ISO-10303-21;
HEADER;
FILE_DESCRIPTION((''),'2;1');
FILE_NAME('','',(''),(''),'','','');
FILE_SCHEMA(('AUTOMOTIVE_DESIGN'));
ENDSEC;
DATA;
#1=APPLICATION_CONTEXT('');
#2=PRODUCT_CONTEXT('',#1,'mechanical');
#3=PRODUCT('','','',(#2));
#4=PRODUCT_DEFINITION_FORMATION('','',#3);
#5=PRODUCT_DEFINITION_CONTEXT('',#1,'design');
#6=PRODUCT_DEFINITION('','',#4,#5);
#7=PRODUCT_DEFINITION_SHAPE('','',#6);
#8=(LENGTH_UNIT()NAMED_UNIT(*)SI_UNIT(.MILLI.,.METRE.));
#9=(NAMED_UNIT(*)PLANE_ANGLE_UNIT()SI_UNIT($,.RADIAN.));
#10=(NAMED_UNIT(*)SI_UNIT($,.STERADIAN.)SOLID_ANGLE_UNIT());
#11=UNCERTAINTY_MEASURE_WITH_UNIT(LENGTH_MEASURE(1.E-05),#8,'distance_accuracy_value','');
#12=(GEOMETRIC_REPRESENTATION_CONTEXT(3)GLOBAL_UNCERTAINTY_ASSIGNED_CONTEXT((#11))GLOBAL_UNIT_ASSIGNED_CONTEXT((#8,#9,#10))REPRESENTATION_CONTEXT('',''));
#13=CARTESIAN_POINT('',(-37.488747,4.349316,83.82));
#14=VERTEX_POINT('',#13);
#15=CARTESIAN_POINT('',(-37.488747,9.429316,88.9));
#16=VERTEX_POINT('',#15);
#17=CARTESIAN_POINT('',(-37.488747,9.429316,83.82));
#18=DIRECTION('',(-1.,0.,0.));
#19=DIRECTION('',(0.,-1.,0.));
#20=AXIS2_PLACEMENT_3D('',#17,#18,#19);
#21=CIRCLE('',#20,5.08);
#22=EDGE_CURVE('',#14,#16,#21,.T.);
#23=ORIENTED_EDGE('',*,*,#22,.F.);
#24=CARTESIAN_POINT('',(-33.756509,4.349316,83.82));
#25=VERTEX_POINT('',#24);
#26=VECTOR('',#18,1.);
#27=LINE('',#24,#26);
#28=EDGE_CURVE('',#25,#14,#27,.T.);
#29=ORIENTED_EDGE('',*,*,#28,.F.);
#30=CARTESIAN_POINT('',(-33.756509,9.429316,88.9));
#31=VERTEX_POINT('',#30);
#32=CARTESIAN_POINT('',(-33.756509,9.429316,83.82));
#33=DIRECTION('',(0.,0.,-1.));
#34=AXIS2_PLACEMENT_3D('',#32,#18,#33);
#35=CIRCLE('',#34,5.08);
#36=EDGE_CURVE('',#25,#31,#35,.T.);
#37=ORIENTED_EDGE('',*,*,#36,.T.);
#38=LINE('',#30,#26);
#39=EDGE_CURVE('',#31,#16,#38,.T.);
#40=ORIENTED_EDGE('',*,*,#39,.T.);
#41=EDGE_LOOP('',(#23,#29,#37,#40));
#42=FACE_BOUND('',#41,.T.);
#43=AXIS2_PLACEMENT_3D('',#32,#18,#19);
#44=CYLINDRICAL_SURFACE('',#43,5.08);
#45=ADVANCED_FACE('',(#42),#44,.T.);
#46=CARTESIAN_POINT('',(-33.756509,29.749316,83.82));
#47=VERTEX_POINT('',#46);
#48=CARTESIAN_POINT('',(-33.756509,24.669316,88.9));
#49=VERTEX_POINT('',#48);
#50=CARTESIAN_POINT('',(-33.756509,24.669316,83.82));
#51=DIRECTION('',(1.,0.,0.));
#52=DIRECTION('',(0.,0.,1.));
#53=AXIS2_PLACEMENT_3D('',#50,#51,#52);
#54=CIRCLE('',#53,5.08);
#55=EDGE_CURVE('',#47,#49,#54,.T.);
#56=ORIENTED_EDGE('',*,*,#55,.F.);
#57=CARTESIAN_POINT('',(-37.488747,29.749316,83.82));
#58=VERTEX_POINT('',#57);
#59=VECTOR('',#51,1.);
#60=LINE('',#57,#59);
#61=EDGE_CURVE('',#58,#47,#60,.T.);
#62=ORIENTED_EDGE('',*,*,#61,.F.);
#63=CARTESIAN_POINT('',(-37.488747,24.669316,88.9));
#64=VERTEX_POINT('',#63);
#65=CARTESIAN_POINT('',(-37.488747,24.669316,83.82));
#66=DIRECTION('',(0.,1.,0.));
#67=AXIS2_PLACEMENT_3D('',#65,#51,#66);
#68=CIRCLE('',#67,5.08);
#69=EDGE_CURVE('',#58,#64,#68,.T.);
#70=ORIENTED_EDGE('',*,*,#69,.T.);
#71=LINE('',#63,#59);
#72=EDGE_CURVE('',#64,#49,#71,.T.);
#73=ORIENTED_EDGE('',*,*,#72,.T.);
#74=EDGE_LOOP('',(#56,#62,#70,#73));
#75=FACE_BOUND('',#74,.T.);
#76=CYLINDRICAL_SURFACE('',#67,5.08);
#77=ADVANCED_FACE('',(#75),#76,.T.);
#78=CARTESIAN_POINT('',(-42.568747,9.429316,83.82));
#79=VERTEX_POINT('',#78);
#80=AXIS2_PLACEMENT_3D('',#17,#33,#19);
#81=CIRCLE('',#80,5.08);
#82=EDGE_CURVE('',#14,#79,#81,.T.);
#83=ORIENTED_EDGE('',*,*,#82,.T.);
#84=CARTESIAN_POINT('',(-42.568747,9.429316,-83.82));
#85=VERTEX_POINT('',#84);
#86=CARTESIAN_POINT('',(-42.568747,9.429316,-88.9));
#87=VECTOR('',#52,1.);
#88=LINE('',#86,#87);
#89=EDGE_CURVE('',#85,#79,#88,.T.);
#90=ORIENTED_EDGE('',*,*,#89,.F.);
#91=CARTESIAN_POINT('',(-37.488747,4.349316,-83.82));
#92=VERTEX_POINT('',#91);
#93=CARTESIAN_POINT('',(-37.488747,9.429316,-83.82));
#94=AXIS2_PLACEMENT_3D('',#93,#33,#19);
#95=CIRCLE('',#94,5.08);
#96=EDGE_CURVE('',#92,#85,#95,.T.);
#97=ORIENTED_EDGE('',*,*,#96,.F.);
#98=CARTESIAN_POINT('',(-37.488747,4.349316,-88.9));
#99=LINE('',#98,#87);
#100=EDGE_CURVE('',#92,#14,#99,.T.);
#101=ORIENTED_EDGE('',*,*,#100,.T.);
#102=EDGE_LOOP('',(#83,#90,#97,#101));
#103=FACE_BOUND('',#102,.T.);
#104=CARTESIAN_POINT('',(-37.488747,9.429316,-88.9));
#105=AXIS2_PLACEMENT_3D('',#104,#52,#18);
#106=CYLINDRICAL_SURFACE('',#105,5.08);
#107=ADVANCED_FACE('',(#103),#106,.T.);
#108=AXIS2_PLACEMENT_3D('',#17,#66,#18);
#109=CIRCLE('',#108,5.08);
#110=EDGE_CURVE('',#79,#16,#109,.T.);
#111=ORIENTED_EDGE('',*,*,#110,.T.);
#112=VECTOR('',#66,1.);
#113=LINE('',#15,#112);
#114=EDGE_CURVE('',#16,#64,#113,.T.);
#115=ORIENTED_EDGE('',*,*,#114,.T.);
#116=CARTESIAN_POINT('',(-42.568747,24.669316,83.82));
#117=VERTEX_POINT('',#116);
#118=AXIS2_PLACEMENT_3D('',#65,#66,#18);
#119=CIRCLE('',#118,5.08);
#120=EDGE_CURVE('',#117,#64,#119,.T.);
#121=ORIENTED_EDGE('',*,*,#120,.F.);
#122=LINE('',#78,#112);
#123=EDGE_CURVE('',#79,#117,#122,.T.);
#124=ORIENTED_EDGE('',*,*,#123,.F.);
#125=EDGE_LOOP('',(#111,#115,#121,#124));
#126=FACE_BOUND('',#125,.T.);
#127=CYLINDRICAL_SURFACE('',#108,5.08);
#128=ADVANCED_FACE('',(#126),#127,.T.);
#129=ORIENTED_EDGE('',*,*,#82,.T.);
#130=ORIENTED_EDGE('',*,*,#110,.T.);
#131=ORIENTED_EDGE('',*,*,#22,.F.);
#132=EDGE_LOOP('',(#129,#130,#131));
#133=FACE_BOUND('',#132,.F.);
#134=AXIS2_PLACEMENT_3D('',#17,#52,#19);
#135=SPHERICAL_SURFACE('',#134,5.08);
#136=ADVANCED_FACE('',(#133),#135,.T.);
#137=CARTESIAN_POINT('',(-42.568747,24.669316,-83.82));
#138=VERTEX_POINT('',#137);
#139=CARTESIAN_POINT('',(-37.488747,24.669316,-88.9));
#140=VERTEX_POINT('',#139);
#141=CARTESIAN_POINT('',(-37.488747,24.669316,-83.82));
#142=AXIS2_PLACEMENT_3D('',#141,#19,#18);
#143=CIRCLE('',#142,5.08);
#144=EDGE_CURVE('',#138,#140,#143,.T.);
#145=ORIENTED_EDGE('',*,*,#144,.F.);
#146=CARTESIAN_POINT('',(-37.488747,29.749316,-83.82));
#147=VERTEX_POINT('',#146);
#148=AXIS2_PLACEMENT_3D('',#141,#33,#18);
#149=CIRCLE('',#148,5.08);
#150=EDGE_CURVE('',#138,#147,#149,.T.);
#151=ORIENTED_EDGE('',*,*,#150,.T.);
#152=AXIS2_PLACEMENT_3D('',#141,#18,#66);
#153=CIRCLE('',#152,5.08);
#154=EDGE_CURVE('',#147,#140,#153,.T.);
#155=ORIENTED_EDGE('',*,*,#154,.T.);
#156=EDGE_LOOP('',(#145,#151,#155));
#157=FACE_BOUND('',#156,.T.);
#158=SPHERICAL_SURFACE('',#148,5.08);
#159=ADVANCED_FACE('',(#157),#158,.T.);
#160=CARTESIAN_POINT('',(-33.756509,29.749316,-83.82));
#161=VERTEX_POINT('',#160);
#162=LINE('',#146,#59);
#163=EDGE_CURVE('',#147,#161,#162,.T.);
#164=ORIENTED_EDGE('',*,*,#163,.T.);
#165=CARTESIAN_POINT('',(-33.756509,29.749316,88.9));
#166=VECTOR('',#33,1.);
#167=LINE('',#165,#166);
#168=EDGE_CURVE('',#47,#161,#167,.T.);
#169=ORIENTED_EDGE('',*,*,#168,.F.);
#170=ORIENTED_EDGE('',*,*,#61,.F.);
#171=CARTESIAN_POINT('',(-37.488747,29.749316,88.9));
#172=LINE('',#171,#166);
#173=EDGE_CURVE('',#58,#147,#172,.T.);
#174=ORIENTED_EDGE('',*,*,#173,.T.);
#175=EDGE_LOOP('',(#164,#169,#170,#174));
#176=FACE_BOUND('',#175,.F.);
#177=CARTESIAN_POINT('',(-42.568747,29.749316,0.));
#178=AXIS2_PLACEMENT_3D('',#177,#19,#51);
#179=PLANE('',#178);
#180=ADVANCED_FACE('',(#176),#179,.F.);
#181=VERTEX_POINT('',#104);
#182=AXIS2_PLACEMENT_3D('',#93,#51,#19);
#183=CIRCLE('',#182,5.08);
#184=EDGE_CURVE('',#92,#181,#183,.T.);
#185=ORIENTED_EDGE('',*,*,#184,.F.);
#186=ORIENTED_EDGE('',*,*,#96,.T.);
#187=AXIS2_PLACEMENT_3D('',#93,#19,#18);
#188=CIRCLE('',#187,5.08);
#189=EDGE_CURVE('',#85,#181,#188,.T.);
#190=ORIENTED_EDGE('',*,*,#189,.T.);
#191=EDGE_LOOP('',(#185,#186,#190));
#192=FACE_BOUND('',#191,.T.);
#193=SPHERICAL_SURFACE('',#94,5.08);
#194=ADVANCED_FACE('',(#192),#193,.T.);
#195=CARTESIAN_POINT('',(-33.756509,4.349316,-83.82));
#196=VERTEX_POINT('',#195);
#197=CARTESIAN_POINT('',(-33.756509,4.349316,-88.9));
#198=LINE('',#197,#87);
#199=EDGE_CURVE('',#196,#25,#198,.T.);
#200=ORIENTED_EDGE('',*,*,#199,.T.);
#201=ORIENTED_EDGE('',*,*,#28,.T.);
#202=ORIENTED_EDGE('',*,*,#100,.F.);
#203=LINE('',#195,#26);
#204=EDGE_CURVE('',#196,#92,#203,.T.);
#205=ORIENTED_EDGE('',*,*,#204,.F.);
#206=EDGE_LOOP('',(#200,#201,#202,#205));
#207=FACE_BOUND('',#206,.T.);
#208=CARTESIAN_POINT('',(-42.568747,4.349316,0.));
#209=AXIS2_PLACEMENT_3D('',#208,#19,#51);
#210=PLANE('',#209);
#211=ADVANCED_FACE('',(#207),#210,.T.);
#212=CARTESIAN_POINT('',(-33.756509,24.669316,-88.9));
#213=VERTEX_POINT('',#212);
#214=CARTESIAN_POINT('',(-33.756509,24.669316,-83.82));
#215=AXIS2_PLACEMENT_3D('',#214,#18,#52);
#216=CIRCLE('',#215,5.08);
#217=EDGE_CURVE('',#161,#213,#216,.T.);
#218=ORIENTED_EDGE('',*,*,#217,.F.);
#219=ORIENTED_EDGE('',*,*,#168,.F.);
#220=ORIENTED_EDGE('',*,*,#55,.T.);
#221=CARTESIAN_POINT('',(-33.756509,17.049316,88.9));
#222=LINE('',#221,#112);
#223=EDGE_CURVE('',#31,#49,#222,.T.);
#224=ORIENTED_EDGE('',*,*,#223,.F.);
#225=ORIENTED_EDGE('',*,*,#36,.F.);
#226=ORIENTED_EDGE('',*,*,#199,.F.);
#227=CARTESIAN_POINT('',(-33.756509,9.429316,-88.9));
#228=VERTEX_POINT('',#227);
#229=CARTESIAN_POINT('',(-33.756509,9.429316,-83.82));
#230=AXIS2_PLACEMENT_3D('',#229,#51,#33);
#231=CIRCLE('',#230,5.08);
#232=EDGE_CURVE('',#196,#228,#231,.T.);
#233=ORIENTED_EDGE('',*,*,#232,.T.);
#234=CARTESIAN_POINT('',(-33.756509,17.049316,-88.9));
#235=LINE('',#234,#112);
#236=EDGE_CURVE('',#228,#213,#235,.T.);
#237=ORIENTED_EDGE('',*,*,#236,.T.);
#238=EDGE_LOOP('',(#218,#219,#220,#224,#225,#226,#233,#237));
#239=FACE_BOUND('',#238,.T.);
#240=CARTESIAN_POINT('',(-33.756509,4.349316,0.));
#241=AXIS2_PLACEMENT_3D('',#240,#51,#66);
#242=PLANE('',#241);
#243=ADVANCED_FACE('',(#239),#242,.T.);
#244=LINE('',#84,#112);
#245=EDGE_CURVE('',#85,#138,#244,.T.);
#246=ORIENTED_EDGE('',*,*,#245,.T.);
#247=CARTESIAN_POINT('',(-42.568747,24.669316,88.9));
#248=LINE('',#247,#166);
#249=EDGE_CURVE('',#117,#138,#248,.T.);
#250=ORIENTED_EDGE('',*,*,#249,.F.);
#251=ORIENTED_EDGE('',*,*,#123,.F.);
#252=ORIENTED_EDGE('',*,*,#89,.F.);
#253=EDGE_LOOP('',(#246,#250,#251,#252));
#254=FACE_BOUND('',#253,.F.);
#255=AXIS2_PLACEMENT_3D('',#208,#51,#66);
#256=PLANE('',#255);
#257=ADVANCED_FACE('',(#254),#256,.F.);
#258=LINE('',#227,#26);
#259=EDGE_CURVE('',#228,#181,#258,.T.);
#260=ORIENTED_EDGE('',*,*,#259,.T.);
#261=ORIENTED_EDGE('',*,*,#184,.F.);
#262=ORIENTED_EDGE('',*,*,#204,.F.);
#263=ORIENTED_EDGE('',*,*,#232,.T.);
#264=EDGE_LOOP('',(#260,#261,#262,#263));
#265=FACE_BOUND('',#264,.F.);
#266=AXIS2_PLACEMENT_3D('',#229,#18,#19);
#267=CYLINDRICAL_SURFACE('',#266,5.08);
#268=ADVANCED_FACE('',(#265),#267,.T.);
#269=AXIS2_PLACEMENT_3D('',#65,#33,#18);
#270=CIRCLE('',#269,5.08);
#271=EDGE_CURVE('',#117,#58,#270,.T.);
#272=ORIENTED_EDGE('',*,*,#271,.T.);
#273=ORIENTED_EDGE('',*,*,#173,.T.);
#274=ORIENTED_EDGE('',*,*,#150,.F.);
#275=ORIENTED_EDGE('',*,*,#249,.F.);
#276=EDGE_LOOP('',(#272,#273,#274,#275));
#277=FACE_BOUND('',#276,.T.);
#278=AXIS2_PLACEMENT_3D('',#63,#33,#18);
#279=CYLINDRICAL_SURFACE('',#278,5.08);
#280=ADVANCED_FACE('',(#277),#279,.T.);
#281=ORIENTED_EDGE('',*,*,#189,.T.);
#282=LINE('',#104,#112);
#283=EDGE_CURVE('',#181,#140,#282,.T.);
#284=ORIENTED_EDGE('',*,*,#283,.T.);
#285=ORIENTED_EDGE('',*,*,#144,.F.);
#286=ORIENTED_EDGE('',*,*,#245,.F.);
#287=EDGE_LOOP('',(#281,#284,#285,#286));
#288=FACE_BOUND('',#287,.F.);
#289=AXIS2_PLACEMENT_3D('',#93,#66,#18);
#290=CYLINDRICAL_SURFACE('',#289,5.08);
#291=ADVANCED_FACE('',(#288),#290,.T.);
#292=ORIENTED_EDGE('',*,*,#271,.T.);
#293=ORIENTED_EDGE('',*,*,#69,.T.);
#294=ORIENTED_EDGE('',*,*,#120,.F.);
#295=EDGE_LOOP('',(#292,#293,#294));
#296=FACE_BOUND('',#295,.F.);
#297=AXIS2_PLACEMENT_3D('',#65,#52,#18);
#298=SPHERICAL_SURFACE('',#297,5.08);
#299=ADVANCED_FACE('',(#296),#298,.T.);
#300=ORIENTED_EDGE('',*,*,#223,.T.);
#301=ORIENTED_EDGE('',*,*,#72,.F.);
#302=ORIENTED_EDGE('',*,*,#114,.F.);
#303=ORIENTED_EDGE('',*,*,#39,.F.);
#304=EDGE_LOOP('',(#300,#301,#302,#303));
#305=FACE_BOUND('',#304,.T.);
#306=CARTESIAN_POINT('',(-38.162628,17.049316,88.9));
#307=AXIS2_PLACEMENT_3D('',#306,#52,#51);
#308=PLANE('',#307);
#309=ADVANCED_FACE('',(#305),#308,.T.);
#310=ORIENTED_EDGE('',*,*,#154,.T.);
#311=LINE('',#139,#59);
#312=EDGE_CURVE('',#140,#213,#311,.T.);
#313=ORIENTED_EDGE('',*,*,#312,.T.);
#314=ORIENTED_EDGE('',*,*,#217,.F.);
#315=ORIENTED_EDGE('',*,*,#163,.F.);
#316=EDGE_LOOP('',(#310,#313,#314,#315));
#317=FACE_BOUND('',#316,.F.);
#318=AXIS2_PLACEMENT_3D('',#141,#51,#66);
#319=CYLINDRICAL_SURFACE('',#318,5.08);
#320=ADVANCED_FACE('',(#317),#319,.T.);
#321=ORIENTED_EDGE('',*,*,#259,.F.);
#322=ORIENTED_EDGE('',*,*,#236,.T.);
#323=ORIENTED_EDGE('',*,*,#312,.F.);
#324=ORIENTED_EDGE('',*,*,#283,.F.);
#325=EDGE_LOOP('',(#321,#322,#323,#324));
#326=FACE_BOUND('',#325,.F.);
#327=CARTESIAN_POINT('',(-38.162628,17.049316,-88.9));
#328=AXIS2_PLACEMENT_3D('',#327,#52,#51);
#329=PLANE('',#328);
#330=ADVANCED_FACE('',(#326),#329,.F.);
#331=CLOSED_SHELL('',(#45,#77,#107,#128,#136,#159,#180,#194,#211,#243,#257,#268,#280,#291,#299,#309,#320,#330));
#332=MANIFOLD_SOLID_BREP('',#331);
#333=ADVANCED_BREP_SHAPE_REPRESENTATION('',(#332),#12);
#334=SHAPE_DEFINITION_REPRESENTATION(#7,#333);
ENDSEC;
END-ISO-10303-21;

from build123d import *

# Parameters (mm, degrees)
F0_W          = 8.812238
F0_H          = 25.4
F1_DEPTH      = 88.9
F1_DEPTH_BACK = 88.9
F2_R          = 5.08
F3_R          = 5.08
F4_R          = 5.08
F5_R          = 5.08


with BuildPart() as f1:
    # F0 (on Top) → F1 (new body, two sides)
    with BuildSketch(Plane.XY) as f1_sk:
        with Locations((-38.162628, 17.049316)):
            Rectangle(F0_W, F0_H)
    extrude(amount=F1_DEPTH)
    extrude(f1_sk.sketch, amount=-F1_DEPTH_BACK)

    # F2
    f2_edges = [f1.edges().sort_by_distance(p)[0] for p in [
        (-42.568747, 4.349316, 0),
    ]]
    fillet(f2_edges, radius=F2_R)

    # F3
    f3_edges = [f1.edges().sort_by_distance(p)[0] for p in [
        (-42.568747, 29.749316, 0),
    ]]
    fillet(f3_edges, radius=F3_R)

    # F4
    f4_edges = [f1.edges().sort_by_distance(p)[0] for p in [
        (-42.568747, 17.049316, 88.9),
    ]]
    fillet(f4_edges, radius=F4_R)

    # F5
    f5_edges = [f1.edges().sort_by_distance(p)[0] for p in [
        (-42.568747, 17.049316, -88.9),
    ]]
    fillet(f5_edges, radius=F5_R)


solid = f1.part
